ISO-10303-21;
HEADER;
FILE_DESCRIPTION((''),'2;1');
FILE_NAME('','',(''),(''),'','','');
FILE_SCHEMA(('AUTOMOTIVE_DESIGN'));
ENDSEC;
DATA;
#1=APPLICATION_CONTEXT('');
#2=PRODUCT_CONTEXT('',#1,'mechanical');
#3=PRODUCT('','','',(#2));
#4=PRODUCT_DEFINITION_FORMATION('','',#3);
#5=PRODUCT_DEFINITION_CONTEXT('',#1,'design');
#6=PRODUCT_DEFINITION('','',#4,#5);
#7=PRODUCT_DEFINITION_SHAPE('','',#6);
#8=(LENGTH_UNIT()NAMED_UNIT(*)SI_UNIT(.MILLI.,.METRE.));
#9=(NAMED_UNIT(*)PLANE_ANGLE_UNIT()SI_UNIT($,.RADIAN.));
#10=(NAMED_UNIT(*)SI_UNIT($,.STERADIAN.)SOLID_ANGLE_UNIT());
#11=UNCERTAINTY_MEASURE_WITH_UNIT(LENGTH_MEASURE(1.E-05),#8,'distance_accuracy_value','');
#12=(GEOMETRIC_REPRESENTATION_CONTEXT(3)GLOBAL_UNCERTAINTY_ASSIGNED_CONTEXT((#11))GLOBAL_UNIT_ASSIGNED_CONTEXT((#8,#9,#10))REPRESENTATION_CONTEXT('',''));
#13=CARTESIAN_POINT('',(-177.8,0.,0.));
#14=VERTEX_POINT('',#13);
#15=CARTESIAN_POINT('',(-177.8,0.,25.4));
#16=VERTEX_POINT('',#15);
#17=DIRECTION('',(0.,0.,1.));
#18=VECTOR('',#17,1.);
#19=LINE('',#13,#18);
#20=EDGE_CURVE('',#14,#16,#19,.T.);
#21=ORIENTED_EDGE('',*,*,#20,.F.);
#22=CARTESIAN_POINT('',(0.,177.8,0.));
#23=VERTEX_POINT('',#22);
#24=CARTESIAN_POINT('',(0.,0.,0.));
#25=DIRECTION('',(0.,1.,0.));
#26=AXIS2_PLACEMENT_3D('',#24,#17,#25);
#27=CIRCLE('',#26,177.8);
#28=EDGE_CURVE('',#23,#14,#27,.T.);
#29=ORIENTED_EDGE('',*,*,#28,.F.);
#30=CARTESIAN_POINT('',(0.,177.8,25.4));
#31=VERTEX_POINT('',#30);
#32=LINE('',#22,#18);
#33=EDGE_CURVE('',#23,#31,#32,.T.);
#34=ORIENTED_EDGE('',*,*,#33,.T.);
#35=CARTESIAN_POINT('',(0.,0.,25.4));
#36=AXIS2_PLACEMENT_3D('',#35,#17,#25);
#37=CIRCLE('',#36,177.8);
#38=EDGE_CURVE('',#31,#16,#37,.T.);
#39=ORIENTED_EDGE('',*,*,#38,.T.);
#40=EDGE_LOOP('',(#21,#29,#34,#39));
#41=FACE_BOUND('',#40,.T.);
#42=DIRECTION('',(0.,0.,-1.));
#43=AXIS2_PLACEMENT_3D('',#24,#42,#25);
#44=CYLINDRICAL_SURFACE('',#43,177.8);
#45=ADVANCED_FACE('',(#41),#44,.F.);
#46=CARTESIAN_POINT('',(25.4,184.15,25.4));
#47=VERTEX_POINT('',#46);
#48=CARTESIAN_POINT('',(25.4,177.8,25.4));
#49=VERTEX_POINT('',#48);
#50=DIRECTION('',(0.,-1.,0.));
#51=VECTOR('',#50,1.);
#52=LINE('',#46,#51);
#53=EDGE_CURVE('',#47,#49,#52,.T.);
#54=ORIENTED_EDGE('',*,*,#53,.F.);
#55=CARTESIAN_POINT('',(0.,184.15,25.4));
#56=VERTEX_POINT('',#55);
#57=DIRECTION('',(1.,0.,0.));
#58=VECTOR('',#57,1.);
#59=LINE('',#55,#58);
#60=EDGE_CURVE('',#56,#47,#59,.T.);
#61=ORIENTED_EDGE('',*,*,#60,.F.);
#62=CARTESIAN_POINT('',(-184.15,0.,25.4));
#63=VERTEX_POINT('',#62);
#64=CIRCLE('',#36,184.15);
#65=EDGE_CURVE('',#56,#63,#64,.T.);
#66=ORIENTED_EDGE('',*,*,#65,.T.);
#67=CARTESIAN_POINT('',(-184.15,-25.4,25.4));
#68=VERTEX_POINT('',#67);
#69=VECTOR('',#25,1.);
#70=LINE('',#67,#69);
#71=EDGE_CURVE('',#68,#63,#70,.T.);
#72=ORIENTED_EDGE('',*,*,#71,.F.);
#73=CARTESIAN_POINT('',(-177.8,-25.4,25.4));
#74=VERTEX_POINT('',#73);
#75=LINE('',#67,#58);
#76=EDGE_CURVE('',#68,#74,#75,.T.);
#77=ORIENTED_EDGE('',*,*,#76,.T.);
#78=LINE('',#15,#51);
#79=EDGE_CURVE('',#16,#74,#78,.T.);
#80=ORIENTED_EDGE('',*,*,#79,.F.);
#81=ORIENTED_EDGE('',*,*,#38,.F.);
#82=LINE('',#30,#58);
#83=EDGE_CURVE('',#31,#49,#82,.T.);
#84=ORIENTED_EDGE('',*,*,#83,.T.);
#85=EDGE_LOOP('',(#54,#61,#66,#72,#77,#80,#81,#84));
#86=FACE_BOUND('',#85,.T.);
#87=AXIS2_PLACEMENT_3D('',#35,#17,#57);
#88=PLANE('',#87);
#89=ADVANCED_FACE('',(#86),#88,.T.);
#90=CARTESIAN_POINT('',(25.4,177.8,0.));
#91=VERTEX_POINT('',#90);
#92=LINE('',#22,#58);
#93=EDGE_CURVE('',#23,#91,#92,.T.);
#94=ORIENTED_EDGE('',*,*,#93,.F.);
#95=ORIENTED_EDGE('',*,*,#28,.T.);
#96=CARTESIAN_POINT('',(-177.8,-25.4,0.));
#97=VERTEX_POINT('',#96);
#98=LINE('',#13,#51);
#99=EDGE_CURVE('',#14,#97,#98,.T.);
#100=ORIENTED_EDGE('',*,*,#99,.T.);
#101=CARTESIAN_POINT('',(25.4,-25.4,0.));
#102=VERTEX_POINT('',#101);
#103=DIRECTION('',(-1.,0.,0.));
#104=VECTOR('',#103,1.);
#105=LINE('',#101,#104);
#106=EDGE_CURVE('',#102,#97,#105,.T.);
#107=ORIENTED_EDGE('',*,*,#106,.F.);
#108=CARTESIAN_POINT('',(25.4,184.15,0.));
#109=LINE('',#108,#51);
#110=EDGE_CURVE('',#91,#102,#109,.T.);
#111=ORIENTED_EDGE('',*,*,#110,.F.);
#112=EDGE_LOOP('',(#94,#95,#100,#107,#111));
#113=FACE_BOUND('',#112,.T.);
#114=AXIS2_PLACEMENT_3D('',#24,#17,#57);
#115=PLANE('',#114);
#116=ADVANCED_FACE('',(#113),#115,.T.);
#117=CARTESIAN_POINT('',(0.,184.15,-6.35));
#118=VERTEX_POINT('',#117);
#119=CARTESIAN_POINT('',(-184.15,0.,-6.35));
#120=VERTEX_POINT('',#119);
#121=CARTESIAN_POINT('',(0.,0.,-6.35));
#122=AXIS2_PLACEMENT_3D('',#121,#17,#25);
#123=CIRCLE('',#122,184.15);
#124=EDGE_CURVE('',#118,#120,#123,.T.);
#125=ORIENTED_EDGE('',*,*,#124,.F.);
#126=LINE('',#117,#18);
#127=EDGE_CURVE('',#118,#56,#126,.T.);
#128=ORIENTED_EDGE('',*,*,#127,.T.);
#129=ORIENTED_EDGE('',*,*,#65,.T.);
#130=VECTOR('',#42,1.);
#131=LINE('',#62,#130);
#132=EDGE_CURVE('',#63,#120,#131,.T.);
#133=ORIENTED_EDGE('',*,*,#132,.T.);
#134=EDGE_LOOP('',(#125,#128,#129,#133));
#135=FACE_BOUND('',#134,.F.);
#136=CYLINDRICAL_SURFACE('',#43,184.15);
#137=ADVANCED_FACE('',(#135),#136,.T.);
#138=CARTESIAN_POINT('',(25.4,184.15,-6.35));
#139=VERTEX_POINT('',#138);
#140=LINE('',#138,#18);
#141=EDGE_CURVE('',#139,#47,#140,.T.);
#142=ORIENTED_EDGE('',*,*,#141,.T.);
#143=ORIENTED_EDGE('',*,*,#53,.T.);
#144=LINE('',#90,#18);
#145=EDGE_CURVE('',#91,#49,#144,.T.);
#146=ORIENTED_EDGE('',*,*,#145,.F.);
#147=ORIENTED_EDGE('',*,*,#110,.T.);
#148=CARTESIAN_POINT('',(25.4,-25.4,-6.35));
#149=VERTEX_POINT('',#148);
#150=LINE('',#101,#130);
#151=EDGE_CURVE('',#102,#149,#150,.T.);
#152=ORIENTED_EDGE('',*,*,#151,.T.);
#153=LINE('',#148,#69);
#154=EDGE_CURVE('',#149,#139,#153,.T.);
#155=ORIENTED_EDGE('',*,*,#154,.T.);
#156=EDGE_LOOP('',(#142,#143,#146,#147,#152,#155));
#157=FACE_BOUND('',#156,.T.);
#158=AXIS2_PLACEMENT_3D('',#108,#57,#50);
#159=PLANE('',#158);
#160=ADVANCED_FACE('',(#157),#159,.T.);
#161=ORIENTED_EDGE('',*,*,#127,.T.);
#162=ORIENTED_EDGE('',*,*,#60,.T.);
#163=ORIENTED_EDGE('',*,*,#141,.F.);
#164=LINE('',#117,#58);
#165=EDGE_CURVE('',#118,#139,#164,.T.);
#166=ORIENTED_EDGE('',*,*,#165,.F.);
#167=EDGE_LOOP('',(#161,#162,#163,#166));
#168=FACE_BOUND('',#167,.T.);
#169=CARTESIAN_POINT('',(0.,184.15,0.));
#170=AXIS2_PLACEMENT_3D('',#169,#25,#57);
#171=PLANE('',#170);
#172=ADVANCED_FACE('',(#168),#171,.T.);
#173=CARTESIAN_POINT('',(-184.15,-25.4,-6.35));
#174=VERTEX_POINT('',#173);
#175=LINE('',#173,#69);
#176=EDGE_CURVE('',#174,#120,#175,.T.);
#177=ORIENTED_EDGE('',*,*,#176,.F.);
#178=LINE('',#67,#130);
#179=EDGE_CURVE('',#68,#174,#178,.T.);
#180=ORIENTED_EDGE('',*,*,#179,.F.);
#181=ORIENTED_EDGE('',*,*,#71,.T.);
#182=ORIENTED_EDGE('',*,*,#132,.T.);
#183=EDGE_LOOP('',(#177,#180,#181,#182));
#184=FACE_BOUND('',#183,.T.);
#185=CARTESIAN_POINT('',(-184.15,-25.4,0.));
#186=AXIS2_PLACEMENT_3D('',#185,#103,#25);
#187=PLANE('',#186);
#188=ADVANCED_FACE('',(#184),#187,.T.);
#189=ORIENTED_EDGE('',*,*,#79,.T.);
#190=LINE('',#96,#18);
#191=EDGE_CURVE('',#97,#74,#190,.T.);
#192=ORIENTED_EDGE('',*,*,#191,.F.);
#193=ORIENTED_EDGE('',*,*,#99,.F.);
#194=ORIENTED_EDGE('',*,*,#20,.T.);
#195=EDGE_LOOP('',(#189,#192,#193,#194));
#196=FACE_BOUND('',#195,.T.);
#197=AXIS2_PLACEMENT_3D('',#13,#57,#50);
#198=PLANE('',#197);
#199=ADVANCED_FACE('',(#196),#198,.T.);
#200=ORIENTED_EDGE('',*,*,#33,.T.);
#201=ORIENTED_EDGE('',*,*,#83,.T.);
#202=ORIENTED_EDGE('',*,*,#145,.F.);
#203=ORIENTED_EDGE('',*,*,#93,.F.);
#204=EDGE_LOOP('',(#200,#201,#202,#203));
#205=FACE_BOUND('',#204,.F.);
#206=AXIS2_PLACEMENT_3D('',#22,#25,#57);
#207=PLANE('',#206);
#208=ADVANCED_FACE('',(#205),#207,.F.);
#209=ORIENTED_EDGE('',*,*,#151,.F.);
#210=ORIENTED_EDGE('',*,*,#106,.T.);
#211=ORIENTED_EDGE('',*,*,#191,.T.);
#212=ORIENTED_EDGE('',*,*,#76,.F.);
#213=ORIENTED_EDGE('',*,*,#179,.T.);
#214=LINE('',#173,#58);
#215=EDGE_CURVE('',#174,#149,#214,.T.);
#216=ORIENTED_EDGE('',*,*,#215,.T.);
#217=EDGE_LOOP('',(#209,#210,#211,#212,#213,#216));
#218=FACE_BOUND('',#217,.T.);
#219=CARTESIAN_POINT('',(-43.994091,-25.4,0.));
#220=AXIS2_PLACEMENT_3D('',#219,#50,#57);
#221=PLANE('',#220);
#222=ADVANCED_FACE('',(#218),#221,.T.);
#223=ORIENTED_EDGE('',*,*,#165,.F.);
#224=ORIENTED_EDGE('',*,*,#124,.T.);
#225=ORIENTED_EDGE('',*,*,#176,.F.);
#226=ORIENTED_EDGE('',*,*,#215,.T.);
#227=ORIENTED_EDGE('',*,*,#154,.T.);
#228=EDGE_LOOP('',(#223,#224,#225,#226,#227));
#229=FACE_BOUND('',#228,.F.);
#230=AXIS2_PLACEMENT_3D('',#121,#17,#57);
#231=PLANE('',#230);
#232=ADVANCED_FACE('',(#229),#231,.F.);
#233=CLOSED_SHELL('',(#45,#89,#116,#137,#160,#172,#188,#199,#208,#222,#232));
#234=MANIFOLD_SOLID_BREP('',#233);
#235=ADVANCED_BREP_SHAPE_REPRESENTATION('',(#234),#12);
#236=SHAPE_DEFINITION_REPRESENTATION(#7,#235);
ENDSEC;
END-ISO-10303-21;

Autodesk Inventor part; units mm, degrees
ref_plane "YZ Plane" through (0, 0, 0) normal (1, 0, 0) x (0, 1, 0)
ref_plane "XZ Plane" through (0, 0, 0) normal (0, 1, 0) x (-1, 0, 0)
ref_plane "XY Plane" through (0, 0, 0) normal (0, 0, 1) x (1, 0, 0)
sketch "Sketch1" plane through (0, 0, 0) normal (0, 0, 1) x (1, 0, 0)
  circle A0 centre (0, 0) radius 50.8
  arc A1 (0, 177.8) -> (-177.8, 0) centre (0, 0) ccw
  line L0 (0, 177.8) -> (25.4, 177.8)
  line L1 (-177.8, 0) -> (-177.8, -25.4)
  line L2 (-184.15, -25.4) -> (-184.15, 0)
  arc A2 (0, 184.15) -> (-184.15, 0) centre (0, 0) ccw
  line L3 (0, 184.15) -> (25.4, 184.15)
  line L4 (25.4, 184.15) -> (25.4, 177.8)
  line L5 (-184.15, -25.4) -> (-177.8, -25.4)
  line L6 (-177.8, -25.4) -> (25.4, -25.4)
  line L7 (25.4, -25.4) -> (25.4, 177.8)
  dimension "d0" = 101.6
  dimension "d1" = 127
  dimension "d2" = 25.4
  dimension "d3" = 25.4
  dimension "d4" = 6.35
extrude "Extrusion1" add sketch "Sketch1" along normal blind 25.4 contours L0 A1 L1 L5 L2 A2 L3 L4
extrude "Extrusion2" add sketch "Sketch1" against normal blind 6.35 contours L7 L6 A0 | A0 L6 L1 A1 L0 L7 | L0 A1 L1 L5 L2 A2 L3 L4 picked at (-13.0459, 17.498)
properties part number "shooter shell"
